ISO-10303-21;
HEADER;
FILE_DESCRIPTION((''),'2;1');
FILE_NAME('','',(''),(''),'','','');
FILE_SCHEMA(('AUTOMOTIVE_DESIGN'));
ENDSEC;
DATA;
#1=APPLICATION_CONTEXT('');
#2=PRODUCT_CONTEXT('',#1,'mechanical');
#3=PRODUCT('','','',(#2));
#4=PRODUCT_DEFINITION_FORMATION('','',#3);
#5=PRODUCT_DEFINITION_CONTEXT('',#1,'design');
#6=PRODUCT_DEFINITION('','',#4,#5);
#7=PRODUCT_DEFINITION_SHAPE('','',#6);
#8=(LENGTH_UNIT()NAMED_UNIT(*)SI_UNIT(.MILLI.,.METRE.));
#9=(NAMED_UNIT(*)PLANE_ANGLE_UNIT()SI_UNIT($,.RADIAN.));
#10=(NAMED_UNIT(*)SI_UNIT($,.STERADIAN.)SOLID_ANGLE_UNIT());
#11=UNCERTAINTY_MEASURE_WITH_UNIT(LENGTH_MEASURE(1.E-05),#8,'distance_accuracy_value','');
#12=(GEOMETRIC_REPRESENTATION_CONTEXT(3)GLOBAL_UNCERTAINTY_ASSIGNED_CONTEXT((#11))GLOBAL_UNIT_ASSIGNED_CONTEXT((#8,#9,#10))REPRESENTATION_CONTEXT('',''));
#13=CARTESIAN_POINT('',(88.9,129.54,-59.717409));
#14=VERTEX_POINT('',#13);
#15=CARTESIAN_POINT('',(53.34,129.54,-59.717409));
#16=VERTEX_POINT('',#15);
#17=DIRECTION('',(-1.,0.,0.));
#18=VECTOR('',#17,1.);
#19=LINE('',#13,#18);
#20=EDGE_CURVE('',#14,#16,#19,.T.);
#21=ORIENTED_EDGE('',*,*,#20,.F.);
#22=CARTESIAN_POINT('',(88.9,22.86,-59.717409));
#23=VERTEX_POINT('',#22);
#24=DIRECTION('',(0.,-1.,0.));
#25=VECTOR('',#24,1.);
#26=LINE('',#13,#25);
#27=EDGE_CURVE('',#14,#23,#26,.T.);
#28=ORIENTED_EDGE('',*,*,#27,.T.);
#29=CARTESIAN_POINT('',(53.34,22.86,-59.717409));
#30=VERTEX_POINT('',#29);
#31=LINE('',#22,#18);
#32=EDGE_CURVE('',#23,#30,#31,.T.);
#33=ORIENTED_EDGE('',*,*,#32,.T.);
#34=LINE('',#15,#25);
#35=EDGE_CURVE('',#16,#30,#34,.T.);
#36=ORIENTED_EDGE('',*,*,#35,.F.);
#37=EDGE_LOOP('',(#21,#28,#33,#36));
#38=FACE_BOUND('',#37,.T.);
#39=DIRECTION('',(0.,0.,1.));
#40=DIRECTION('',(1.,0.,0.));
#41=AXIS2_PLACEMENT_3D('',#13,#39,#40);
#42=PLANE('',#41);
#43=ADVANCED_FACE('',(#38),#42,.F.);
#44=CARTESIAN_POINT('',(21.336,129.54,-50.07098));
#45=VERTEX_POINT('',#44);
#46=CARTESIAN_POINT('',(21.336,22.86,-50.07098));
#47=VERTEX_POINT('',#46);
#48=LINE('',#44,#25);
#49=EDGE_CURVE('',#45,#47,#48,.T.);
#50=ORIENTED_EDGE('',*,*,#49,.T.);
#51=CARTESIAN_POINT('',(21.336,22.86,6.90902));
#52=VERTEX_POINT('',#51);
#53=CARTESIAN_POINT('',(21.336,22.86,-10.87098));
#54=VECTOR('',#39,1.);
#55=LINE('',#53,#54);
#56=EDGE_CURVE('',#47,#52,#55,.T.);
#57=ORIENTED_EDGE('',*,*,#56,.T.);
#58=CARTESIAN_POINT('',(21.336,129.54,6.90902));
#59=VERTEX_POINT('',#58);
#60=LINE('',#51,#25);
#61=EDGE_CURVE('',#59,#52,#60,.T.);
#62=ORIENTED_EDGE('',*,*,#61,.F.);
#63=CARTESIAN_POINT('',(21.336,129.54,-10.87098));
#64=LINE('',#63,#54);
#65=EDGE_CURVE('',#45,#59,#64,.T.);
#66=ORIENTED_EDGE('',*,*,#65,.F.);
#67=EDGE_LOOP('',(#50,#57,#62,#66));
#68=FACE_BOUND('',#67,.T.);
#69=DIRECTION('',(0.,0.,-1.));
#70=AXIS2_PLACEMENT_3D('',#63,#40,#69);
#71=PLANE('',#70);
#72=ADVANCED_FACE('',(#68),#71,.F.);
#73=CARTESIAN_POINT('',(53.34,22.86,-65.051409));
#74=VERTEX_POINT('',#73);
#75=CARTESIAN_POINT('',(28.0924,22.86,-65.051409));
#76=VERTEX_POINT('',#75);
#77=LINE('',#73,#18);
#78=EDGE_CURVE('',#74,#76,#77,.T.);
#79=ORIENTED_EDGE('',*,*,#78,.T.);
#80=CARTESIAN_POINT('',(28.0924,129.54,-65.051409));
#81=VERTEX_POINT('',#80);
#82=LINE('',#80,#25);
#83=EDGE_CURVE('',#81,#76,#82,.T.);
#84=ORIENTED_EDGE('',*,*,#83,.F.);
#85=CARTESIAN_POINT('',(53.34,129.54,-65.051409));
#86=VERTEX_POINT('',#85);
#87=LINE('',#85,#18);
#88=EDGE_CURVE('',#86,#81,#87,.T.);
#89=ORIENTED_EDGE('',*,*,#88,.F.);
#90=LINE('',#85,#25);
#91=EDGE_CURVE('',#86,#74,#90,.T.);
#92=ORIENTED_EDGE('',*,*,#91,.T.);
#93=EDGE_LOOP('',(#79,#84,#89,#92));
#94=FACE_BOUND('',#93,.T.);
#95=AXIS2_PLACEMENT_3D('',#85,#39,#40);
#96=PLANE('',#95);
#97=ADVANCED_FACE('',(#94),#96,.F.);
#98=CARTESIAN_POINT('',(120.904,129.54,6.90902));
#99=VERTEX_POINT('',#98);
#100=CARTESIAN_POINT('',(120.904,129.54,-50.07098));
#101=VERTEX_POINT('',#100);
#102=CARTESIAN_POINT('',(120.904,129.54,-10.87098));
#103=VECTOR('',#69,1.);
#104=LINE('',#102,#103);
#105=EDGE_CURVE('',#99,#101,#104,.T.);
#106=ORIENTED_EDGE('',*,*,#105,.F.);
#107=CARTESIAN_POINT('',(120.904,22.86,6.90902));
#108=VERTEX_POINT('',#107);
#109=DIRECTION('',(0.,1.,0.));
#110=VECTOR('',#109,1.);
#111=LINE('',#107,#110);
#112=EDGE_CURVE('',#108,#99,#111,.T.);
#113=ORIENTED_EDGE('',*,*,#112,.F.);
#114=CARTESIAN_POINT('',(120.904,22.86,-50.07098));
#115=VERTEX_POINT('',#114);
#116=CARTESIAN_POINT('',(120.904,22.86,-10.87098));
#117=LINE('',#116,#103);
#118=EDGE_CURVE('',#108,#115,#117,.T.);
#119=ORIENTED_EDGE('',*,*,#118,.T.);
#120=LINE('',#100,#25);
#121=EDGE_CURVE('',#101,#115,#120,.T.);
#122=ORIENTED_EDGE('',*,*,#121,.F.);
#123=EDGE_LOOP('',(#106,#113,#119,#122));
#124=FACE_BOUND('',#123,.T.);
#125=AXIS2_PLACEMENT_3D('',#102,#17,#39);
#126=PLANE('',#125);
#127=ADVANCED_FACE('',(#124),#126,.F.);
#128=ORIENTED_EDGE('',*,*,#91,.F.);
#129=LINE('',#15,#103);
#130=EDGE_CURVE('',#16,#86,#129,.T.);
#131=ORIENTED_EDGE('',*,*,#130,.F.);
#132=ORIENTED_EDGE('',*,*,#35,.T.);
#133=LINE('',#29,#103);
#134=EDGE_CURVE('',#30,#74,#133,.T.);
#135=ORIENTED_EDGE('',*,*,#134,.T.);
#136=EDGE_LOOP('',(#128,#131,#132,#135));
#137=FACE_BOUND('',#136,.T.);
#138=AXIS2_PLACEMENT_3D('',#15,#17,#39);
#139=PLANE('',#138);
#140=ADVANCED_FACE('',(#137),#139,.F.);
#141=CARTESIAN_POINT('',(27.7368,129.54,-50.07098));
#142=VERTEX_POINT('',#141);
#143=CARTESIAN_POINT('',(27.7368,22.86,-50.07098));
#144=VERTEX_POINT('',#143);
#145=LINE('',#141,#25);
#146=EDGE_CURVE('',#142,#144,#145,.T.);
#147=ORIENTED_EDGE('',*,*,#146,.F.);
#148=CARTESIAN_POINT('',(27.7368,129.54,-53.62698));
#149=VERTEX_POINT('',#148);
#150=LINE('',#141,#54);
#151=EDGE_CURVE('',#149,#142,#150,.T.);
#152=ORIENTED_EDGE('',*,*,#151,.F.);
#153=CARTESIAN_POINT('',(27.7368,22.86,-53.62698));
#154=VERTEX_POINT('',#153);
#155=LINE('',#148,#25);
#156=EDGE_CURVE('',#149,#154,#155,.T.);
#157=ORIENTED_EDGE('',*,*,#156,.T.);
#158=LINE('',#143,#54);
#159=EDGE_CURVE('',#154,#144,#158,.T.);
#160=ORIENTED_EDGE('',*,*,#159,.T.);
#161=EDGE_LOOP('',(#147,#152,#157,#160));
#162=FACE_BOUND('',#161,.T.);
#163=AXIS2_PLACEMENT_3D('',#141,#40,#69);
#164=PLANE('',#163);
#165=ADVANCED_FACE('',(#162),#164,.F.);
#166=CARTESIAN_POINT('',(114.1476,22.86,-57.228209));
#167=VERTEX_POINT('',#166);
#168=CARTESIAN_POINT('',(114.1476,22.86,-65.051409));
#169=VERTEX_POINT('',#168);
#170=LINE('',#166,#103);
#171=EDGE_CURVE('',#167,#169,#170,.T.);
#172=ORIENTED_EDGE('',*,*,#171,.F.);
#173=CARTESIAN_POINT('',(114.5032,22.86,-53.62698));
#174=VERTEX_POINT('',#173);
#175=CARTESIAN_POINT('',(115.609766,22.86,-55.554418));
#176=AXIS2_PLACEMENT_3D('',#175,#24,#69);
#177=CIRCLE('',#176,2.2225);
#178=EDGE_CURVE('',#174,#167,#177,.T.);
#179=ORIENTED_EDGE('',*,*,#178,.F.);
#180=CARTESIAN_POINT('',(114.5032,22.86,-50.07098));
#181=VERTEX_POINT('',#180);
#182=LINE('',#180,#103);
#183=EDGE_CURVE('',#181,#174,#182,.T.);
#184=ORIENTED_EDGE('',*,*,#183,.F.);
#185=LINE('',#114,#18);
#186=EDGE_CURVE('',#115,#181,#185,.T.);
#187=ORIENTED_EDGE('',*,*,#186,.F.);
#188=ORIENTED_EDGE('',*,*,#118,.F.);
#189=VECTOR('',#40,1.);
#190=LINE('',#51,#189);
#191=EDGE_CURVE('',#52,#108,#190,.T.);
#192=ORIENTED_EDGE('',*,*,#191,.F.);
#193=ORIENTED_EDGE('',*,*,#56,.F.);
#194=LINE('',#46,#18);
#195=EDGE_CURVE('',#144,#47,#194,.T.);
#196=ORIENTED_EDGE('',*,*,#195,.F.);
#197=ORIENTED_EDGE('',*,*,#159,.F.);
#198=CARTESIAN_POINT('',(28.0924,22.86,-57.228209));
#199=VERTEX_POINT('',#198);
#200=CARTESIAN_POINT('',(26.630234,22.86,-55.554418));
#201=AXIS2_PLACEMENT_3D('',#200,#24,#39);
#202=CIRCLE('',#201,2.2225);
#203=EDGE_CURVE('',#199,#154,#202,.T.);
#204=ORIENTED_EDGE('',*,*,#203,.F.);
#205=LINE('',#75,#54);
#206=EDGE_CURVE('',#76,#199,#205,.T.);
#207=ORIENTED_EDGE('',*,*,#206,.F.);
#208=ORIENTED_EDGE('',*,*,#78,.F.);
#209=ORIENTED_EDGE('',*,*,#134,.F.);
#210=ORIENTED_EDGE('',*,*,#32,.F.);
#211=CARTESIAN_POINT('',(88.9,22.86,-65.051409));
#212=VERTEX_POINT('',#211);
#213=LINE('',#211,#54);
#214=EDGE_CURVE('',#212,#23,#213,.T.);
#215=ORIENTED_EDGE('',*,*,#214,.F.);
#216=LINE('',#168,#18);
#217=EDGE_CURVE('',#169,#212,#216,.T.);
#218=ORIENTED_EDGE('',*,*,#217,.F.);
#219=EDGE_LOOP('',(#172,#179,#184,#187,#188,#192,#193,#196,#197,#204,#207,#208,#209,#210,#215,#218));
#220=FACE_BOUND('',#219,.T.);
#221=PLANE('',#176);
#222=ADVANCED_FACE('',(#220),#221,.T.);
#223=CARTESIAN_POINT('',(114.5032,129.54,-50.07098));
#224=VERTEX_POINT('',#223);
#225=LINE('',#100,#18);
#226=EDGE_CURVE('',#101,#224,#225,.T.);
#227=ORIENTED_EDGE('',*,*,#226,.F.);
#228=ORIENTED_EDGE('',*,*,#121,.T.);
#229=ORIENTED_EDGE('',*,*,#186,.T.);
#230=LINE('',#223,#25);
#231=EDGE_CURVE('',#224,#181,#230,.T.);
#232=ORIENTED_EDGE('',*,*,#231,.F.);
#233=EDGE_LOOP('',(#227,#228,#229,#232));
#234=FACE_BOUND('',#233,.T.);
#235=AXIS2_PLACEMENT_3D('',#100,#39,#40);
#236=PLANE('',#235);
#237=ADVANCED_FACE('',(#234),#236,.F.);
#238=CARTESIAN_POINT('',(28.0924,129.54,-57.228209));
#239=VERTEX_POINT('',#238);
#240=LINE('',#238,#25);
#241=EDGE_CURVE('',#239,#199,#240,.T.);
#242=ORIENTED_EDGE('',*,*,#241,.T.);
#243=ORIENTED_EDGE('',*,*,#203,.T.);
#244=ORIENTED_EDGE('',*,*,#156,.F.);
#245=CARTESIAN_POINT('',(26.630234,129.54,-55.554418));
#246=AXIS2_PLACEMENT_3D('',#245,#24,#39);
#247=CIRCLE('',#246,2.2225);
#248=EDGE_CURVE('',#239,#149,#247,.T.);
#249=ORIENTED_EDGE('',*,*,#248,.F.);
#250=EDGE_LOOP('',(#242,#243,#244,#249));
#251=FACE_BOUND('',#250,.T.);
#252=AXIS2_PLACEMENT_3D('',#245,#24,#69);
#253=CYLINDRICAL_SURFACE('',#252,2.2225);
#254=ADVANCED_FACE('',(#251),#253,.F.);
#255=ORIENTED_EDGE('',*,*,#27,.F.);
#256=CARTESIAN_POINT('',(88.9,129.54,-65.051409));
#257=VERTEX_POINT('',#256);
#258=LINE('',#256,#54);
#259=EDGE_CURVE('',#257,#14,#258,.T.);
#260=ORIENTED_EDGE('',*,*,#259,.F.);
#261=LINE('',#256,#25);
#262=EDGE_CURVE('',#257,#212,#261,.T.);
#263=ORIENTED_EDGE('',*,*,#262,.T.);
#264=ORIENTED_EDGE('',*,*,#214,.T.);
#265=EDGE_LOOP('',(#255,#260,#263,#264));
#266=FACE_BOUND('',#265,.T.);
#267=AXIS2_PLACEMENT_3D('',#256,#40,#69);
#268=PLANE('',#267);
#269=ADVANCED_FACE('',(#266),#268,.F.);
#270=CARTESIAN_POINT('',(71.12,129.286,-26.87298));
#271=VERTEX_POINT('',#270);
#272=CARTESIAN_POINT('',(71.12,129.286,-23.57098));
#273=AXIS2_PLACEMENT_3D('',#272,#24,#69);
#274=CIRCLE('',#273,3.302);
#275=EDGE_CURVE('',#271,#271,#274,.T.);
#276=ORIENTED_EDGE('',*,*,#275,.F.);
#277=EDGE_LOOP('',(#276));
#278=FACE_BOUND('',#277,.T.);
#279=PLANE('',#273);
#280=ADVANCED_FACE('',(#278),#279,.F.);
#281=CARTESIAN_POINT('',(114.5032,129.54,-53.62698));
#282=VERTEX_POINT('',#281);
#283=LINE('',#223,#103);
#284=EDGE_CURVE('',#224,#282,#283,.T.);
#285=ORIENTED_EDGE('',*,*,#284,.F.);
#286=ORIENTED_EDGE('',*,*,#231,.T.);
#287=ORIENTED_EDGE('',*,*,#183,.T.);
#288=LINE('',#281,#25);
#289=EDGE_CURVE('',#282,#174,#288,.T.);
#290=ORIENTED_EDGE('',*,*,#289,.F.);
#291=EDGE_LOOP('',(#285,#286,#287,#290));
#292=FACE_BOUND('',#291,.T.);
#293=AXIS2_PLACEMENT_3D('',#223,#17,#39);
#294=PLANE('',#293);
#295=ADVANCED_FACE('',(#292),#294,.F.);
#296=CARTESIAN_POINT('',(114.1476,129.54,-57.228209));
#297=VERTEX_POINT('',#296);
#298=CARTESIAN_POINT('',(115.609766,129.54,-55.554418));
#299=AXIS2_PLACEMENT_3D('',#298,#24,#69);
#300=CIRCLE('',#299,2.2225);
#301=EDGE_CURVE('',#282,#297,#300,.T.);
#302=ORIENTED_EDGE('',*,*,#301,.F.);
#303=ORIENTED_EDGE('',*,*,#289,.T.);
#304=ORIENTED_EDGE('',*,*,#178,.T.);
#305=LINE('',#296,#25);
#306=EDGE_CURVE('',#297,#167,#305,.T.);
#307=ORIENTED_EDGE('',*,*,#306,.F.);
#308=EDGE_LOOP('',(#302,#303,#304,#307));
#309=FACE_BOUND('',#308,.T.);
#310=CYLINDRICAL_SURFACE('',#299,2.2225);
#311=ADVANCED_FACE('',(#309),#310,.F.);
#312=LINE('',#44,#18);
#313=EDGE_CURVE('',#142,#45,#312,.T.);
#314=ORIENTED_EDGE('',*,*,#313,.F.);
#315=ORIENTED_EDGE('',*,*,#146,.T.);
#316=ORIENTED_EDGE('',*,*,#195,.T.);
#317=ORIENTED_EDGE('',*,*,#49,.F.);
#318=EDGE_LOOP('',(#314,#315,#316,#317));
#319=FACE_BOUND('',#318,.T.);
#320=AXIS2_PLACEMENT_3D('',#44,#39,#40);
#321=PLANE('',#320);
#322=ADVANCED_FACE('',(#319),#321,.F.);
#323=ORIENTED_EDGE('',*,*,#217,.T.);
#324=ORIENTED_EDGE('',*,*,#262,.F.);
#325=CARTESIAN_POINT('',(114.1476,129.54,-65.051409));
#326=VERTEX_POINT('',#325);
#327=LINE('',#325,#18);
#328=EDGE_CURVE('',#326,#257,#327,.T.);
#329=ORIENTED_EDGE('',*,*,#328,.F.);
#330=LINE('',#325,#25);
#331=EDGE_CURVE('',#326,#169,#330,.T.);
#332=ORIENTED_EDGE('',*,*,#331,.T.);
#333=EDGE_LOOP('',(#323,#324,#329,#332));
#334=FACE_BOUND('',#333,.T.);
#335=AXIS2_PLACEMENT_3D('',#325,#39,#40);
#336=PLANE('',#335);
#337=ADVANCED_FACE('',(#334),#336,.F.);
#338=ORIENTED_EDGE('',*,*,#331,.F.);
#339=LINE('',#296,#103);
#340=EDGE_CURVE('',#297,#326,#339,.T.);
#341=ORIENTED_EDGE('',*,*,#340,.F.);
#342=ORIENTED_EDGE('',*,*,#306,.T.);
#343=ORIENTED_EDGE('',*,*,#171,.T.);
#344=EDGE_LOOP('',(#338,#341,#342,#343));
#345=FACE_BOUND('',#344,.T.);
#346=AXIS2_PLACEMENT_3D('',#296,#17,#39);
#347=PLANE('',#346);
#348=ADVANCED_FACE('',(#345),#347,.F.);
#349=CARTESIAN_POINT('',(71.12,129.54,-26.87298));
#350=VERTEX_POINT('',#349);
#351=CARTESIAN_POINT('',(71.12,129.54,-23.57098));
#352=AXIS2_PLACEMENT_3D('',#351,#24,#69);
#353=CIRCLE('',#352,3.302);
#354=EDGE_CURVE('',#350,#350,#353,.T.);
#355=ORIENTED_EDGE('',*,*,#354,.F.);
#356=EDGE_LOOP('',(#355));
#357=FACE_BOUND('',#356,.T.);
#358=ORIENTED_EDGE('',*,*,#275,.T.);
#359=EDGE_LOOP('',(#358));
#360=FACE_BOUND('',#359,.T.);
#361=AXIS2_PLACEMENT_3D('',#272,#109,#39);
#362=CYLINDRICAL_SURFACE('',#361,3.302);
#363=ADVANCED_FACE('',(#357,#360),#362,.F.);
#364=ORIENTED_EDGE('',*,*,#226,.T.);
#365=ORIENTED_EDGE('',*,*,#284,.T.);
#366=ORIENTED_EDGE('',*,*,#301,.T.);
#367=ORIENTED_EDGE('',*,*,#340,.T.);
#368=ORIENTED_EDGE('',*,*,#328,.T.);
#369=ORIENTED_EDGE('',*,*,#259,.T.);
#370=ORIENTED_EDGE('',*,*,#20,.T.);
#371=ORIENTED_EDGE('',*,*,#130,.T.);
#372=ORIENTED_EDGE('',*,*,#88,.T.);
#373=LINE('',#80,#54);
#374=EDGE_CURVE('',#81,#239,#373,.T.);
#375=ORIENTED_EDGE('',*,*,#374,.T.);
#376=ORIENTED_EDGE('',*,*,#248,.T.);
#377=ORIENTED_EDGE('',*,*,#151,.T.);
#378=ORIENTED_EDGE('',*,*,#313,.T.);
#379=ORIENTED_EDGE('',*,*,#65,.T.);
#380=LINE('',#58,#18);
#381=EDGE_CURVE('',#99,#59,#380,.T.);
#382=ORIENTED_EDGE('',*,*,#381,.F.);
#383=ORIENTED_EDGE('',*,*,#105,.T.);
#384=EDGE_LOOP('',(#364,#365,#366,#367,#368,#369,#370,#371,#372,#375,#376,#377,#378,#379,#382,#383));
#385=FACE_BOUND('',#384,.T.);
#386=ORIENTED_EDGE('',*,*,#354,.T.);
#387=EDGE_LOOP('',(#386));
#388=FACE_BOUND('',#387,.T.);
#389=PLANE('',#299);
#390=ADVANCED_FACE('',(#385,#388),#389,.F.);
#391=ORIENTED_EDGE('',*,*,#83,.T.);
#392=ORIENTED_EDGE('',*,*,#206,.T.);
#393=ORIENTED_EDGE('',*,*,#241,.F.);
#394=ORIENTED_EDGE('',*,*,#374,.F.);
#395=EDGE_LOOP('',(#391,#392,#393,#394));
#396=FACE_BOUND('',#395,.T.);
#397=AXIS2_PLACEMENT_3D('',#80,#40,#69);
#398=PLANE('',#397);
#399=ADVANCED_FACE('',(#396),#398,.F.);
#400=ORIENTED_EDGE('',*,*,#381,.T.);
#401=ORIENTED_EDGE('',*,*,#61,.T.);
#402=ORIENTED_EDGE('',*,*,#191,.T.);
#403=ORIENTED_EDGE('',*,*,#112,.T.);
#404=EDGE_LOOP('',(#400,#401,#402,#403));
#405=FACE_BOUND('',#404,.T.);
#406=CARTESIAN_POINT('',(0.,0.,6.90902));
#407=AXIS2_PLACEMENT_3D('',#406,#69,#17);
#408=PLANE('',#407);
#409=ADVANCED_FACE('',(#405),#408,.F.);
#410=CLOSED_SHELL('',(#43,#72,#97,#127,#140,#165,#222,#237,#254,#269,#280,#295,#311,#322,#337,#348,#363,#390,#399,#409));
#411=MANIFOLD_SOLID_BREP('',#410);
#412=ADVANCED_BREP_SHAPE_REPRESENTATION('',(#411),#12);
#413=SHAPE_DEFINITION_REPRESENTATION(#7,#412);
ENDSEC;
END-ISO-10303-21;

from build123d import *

# Parameters (mm, degrees)
BOSS_EXTRUDE1_DEPTH = 152.4
SCALE1_SCALE        = 0.7
SKETCH2_W           = 99.568
SKETCH2_H           = 106.68
BOSS_EXTRUDE2_DEPTH = 17.78
SKETCH3_R           = 3.302
CUT_EXTRUDE1_DEPTH  = 0.254


with BuildPart() as part:
    # Sketch1 → Boss-Extrude1 (new body)
    with BuildSketch(Plane(origin=(0, 0, 0), x_dir=(1, 0, 0), z_dir=(0, 1, 0))):
        with BuildLine():
            Line((0, 0), (0, 56))
            Line((0, 56), (9.144, 56))
            Line((9.144, 56), (9.144, 61.08))
            ThreePointArc((9.144, 61.08), (10.722825004, 63.5214881), (9.652, 66.224613392))
            Line((9.652, 66.224613392), (9.652, 77.400613392))
            Line((9.652, 77.400613392), (45.72, 77.400613392))
            Line((45.72, 77.400613392), (45.72, 69.780613392))
            Line((45.72, 69.780613392), (96.52, 69.780613392))
            Line((96.52, 69.780613392), (96.52, 77.400613392))
            Line((96.52, 77.400613392), (132.588, 77.400613392))
            Line((132.588, 77.400613392), (132.588, 66.224613392))
            ThreePointArc((132.588, 66.224613392), (131.517174996, 63.5214881), (133.096, 61.08))
            Line((133.096, 61.08), (133.096, 56))
            Line((133.096, 56), (142.24, 56))
            Line((142.24, 56), (142.24, 0))
            Line((142.24, 0), (0, 0))
        make_face()
    extrude(amount=BOSS_EXTRUDE1_DEPTH)


with BuildPart() as part_1:
    # Scale1: scaled about (71.12, 76.2, -36.236599561)
    add(part.part.scale(SCALE1_SCALE).moved(Location((21.336, 22.86, -10.870979868))))

    # Sketch2 → Boss-Extrude2 (add)
    with BuildSketch(Plane.XY.offset(-10.870979868)):
        with Locations((71.12, 76.2)):
            Rectangle(SKETCH2_W, SKETCH2_H)
    extrude(amount=BOSS_EXTRUDE2_DEPTH)

    # Sketch3 → Cut-Extrude1 (cut)
    with BuildSketch(Plane.XZ.offset(-129.54)):
        with Locations(Location((71.12, -23.570979868, 0), (0, 0, 270))):
            Circle(SKETCH3_R)
    extrude(amount=CUT_EXTRUDE1_DEPTH, mode=Mode.SUBTRACT)


solid = part_1.part
